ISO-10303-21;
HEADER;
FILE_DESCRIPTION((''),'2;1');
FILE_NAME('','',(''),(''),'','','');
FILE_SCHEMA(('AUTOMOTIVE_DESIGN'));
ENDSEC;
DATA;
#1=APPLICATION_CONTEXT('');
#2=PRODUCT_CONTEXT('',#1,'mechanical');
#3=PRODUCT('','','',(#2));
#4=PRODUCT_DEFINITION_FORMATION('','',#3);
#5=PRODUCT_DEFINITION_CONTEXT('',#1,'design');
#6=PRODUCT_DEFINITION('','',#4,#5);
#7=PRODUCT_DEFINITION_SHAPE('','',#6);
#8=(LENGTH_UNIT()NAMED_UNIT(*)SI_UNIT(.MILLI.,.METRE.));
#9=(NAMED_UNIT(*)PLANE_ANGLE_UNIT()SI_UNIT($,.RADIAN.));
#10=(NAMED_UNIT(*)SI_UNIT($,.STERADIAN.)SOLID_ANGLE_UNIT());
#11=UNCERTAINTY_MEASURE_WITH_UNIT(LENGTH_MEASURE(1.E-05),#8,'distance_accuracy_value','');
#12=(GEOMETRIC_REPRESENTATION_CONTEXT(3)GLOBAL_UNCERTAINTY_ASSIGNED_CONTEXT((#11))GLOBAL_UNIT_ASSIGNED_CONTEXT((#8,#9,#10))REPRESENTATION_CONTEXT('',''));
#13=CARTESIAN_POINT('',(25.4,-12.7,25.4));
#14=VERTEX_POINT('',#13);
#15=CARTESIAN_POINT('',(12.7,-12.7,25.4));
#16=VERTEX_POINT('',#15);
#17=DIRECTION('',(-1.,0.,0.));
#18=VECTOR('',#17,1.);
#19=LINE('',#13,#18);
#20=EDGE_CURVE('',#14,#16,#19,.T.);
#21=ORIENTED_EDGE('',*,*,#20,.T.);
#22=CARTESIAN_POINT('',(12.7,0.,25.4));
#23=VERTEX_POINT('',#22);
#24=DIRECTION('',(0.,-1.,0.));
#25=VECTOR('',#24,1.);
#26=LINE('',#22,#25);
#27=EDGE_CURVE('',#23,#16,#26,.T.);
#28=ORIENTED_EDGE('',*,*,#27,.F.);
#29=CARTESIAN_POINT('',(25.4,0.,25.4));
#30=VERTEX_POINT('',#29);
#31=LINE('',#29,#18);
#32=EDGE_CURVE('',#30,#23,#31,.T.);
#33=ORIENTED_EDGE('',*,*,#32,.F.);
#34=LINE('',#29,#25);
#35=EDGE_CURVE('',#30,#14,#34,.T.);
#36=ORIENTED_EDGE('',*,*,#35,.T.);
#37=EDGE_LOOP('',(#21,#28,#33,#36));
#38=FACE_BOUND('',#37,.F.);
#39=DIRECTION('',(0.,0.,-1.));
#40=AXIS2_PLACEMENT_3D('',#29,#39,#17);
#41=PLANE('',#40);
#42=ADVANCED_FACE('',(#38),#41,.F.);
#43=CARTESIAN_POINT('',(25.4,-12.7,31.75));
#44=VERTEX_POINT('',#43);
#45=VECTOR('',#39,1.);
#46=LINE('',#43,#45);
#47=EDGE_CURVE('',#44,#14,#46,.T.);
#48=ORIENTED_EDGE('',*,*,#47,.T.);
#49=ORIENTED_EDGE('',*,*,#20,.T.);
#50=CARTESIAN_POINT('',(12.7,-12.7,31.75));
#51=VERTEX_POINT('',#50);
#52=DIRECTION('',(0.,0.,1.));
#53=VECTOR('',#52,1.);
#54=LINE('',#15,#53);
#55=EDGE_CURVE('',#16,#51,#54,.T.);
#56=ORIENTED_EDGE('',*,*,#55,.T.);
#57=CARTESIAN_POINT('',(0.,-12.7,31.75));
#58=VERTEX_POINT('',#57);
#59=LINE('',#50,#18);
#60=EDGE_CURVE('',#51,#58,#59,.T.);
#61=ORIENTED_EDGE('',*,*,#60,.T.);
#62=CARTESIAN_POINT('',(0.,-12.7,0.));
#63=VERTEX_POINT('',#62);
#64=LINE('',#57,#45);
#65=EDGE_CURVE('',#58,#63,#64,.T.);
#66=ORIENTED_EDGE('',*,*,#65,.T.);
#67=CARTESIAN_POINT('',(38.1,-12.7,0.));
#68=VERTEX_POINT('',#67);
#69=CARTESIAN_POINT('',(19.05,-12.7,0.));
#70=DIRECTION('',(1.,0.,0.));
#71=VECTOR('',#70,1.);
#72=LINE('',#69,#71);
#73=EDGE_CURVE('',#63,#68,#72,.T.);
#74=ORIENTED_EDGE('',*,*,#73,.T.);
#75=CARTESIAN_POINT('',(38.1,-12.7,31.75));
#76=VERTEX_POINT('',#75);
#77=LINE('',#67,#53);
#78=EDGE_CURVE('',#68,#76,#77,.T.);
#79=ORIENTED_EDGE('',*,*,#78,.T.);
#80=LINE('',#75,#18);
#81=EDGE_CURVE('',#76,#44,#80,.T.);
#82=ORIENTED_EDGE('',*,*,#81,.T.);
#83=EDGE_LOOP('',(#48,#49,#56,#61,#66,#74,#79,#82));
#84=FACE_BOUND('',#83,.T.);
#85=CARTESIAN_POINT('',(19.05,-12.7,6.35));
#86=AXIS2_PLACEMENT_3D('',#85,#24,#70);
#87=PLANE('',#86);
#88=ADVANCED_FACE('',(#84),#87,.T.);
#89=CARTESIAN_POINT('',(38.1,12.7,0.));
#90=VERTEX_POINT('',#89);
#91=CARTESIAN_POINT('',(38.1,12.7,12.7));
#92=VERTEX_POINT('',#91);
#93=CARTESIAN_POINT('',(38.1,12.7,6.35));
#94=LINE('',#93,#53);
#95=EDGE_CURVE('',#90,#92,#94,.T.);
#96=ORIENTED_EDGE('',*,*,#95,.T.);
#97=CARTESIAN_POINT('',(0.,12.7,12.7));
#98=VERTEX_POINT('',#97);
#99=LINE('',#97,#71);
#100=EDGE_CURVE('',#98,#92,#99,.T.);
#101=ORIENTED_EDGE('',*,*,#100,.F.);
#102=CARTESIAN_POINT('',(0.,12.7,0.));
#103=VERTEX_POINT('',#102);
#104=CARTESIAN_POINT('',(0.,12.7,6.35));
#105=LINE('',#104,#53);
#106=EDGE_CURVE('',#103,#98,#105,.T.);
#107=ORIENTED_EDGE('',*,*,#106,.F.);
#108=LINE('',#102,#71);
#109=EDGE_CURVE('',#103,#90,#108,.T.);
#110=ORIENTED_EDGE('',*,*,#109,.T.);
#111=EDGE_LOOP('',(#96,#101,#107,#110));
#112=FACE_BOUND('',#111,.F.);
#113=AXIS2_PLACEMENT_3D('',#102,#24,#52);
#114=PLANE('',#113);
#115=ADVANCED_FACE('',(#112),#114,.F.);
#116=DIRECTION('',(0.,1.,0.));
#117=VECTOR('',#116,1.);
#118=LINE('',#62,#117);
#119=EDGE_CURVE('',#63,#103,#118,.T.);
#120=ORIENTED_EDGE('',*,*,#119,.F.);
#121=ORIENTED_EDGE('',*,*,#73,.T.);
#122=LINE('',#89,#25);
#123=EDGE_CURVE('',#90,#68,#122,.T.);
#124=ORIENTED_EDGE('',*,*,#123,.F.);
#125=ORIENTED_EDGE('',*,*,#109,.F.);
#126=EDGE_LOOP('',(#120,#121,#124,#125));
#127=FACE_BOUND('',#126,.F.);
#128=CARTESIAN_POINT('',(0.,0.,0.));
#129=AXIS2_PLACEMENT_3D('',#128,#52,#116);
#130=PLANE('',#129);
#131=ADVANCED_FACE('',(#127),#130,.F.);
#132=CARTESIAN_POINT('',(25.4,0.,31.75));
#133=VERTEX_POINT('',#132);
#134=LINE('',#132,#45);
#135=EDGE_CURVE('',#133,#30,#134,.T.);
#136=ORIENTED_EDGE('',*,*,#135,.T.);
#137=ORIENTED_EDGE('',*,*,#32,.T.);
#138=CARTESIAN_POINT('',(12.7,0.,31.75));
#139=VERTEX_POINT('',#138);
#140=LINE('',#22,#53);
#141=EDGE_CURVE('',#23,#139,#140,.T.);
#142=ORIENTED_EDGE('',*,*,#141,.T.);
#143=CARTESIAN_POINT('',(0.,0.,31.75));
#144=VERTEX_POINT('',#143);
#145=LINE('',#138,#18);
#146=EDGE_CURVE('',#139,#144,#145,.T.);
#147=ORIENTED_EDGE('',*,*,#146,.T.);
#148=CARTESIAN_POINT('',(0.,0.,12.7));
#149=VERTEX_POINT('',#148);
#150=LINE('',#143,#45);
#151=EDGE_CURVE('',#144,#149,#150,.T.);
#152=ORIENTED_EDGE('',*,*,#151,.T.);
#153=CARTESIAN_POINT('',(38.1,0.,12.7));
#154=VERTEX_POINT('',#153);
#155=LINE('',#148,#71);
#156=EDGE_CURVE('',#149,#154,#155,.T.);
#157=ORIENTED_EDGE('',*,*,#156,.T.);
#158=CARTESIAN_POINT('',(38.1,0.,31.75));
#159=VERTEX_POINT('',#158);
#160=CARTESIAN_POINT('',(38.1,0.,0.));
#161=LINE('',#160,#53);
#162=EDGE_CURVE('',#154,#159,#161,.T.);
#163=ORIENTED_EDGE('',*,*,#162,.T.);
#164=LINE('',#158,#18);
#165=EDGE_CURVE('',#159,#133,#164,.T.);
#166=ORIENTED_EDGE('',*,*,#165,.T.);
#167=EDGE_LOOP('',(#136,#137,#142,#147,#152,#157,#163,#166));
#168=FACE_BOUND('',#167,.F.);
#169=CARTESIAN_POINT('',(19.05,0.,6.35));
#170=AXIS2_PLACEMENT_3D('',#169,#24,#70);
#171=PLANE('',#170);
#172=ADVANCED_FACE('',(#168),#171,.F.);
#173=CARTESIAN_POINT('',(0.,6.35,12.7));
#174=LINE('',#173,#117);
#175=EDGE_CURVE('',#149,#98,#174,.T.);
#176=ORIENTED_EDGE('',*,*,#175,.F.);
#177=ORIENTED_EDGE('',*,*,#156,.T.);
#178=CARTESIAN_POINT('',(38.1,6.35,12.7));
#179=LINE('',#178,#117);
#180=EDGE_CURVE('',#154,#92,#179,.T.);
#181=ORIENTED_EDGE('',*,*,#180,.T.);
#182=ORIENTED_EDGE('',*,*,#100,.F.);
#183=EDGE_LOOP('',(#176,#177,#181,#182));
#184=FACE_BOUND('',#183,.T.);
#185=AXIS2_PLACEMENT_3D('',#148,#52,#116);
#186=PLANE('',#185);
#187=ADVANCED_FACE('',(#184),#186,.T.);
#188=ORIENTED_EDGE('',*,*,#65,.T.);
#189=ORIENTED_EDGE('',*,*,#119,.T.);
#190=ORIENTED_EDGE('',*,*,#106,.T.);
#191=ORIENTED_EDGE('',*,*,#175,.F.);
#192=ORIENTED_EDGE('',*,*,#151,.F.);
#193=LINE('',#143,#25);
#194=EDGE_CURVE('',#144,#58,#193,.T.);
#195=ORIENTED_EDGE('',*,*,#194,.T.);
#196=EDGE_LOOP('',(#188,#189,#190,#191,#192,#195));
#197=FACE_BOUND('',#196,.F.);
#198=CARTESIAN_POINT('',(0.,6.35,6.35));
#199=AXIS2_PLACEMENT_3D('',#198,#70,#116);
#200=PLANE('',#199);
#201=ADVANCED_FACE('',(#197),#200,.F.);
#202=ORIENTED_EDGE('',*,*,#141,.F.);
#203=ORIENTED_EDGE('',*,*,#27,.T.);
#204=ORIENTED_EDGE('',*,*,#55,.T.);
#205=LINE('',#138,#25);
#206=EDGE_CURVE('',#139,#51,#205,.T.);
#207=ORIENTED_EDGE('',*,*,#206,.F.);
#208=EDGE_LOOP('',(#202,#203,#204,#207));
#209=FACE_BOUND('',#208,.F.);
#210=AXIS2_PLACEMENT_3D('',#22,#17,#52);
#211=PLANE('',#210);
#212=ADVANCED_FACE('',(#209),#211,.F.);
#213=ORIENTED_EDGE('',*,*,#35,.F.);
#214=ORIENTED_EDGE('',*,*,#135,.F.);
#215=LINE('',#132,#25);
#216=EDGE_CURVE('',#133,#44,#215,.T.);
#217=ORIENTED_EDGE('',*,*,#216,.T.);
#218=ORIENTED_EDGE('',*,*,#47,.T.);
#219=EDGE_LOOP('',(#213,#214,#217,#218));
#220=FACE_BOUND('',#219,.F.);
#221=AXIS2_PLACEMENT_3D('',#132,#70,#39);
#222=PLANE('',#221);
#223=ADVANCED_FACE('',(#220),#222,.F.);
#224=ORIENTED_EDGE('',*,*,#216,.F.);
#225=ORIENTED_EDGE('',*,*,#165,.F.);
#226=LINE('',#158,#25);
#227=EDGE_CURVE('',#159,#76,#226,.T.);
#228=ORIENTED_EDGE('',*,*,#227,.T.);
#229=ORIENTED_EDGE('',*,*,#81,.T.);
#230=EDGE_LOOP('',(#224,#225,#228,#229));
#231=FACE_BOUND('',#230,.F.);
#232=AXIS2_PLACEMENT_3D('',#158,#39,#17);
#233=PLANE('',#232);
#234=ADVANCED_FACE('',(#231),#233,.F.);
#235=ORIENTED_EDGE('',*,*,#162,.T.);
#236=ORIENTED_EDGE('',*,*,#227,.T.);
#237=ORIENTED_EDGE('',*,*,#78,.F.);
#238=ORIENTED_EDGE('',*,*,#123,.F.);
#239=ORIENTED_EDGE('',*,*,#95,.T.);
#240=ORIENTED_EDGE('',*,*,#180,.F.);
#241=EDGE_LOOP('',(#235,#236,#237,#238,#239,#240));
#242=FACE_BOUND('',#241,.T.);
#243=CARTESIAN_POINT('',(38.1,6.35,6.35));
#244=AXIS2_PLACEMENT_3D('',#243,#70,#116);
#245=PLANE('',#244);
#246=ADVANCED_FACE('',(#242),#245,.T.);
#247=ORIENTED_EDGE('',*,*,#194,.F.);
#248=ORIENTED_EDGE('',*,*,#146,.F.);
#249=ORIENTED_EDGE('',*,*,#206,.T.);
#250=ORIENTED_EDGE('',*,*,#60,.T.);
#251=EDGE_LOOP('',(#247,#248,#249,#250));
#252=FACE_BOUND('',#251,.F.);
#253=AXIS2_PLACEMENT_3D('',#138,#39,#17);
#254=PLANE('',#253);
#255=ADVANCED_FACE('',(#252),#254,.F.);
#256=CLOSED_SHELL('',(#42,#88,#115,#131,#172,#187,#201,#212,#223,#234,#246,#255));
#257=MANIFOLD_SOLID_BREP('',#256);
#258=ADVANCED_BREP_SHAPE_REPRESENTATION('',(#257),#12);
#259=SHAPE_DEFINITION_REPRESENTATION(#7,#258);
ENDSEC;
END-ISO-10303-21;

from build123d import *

# Parameters (mm, degrees)
F0_W     = 38.1
F0_H     = 12.7
F1_DEPTH = 12.7
F2_W     = 12.7
F2_H     = 12.7
F3_DEPTH = 38.1


with BuildPart() as f1:
    # F0 (on Front) → F1 (new body)
    with BuildSketch(Plane.XZ):
        with Locations((19.05, 6.35)):
            Rectangle(F0_W, F0_H)
        Polygon((0, 31.75), (0, 12.7), (38.1, 12.7), (38.1, 31.75), (25.4, 31.75), (25.4, 25.4), (12.7, 25.4), (12.7, 31.75), align=None)
    extrude(amount=F1_DEPTH)

    # F2 (on Right) → F3 (join)
    with BuildSketch(Plane.YZ):
        with Locations((6.35, 6.35)):
            Rectangle(F2_W, F2_H)
    extrude(amount=F3_DEPTH)


solid = f1.part
